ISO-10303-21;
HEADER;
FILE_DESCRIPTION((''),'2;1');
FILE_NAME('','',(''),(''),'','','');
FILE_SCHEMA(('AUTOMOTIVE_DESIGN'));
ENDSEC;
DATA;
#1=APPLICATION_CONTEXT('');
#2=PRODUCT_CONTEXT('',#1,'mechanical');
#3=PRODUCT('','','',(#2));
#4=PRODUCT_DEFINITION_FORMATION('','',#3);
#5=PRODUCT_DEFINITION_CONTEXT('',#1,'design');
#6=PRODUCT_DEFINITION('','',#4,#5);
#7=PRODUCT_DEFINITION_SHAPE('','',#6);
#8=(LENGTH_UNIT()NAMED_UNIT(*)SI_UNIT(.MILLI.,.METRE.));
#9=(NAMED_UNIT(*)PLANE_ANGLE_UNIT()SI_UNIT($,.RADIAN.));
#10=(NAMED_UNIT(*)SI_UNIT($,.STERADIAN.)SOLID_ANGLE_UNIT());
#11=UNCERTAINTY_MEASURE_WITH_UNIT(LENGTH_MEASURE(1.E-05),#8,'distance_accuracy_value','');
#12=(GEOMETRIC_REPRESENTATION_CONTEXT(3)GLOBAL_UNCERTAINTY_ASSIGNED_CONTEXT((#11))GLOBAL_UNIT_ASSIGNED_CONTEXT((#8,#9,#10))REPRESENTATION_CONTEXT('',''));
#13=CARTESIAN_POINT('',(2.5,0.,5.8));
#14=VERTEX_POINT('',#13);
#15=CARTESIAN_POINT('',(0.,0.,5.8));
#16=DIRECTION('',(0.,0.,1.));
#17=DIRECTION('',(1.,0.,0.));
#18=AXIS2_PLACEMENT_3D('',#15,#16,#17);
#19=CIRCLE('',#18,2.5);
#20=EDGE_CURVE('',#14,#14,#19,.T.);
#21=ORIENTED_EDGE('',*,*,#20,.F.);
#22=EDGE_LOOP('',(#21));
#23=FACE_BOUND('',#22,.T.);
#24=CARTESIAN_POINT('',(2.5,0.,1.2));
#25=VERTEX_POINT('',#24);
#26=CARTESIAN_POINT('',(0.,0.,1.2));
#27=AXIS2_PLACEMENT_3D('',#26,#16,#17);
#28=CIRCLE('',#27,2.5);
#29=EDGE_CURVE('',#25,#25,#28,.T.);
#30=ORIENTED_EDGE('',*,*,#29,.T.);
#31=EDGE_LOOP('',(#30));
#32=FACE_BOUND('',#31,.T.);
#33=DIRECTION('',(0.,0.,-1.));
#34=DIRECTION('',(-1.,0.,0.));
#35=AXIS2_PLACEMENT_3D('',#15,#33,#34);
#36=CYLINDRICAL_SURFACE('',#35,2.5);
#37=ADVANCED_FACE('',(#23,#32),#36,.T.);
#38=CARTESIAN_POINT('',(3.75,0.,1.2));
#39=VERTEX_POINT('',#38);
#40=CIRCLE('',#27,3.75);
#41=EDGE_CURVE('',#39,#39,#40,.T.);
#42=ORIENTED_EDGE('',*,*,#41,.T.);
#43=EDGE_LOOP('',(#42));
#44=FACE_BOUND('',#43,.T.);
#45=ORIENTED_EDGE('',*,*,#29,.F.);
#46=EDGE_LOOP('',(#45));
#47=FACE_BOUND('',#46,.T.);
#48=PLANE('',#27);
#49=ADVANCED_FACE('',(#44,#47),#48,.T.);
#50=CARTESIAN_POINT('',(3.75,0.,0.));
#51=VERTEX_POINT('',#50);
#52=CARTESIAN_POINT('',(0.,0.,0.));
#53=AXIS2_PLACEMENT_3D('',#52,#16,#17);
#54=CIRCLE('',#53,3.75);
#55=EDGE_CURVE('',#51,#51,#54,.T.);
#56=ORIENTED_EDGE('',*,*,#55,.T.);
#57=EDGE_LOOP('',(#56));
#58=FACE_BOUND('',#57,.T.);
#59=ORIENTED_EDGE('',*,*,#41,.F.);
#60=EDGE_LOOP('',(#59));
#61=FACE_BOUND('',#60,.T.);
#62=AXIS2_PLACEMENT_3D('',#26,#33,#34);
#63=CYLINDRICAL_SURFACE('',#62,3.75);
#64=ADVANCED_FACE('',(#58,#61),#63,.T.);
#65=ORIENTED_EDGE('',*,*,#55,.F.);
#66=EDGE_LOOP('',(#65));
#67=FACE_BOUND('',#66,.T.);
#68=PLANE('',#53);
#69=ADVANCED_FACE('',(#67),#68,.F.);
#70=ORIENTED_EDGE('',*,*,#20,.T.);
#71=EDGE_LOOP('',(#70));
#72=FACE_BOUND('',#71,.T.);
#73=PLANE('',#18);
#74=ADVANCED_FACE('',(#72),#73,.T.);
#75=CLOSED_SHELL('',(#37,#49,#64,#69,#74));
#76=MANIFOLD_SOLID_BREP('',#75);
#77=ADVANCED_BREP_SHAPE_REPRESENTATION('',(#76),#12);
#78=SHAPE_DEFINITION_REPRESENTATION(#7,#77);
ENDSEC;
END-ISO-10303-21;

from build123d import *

# Parameters (mm, degrees)
SKETCH1_R              = 2.5
M6_ADJUSTER_CORE_DEPTH = 5.8
SKETCH2_R              = 3.75
JAM_NUT_ENVELOPE_DEPTH = 1.2


with BuildPart() as part:
    # Sketch1 → M6 adjuster core (new body)
    with BuildSketch(Plane.XY):
        Circle(SKETCH1_R)
    extrude(amount=M6_ADJUSTER_CORE_DEPTH)

    # Sketch2 → Jam nut envelope (add)
    with BuildSketch(Plane.XY):
        Circle(SKETCH2_R)
    extrude(amount=JAM_NUT_ENVELOPE_DEPTH)


solid = part.part
